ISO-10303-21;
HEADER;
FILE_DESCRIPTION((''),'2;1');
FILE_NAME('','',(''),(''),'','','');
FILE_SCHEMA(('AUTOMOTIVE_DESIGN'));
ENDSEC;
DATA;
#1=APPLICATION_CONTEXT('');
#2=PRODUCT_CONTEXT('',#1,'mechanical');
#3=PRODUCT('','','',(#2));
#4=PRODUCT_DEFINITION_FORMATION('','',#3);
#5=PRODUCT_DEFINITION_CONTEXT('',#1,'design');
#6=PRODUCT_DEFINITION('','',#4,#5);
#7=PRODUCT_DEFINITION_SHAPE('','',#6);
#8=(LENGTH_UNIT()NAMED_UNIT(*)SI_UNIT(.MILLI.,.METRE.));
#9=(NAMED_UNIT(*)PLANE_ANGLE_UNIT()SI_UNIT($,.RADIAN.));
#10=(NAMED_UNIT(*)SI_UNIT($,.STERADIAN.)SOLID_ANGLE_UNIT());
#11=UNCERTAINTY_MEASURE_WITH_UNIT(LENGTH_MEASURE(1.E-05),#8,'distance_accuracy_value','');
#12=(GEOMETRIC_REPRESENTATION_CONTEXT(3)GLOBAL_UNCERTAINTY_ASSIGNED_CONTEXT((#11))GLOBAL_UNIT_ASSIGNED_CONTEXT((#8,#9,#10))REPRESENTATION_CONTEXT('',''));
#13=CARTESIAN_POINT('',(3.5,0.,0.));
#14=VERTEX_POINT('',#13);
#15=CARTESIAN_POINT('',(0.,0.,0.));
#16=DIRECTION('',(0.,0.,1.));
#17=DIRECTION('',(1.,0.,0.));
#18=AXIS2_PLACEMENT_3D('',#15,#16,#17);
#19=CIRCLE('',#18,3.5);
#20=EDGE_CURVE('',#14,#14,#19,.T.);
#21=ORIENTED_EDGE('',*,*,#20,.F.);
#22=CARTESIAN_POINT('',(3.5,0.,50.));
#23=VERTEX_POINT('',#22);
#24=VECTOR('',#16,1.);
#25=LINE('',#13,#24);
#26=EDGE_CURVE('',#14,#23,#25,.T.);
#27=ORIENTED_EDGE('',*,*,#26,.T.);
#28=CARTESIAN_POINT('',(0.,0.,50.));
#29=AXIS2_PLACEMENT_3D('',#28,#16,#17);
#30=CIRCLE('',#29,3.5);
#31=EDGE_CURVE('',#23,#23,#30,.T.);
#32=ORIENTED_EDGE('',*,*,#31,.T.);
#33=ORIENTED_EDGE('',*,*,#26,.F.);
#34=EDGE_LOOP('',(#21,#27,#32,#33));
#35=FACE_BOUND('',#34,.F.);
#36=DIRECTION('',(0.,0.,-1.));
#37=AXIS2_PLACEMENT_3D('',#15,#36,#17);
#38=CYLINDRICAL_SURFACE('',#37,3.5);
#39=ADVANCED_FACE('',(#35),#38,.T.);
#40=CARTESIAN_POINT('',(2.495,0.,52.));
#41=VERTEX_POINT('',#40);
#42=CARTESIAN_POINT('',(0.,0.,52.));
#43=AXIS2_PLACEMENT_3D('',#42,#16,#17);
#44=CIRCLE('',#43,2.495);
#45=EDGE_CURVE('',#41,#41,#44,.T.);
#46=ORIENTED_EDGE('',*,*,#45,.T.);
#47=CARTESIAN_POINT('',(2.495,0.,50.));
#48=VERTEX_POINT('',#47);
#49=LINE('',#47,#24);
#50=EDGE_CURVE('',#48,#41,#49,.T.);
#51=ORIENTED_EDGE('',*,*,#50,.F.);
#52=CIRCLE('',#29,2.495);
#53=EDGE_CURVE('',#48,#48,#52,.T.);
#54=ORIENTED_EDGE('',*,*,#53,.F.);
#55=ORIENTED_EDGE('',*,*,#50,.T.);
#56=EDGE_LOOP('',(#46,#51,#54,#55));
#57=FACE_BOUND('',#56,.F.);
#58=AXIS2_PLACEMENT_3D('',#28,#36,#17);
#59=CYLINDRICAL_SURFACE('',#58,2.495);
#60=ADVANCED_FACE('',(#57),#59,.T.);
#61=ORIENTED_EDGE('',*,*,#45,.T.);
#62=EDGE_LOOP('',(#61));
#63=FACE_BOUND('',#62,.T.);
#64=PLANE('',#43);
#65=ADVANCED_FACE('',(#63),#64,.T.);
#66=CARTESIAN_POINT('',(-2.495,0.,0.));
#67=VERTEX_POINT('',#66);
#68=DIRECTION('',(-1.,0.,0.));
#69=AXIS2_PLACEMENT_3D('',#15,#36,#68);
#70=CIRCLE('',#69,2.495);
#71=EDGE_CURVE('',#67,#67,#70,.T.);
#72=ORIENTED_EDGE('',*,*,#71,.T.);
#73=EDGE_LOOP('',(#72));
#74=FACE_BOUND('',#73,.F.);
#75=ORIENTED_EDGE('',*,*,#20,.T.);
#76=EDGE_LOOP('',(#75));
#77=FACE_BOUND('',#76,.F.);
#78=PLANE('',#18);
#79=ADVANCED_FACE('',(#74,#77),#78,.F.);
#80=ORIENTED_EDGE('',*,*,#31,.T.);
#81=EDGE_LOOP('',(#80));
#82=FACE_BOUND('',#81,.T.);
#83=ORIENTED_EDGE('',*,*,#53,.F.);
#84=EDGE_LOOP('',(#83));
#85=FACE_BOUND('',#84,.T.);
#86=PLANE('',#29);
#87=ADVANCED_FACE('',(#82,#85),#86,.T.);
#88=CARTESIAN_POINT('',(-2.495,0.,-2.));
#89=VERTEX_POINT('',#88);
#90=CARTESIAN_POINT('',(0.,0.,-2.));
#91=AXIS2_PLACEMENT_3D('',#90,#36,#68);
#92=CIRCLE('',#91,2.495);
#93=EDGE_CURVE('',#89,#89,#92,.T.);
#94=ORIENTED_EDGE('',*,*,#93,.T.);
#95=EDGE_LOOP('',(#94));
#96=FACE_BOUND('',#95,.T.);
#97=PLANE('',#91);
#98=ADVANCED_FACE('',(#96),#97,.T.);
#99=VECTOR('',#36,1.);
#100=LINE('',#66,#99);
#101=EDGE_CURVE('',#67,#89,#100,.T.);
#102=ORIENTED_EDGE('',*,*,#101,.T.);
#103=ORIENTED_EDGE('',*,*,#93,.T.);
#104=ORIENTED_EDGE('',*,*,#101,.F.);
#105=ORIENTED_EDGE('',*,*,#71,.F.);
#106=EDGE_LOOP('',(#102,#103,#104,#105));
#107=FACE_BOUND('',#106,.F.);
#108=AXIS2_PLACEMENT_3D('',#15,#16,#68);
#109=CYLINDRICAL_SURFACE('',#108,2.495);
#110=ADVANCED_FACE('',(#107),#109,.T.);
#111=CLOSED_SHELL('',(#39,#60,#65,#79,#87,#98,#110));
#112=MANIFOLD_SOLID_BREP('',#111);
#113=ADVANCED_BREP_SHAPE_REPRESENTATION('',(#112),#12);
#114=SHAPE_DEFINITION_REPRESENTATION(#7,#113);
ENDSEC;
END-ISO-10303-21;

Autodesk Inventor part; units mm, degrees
ref_plane "YZ Plane" through (0, 0, 0) normal (1, 0, 0) x (0, 1, 0)
ref_plane "XZ Plane" through (0, 0, 0) normal (0, 1, 0) x (-1, 0, 0)
ref_plane "XY Plane" through (0, 0, 0) normal (0, 0, 1) x (1, 0, 0)
sketch "Sketch1" plane through (0, 0, 0) normal (0, 0, 1) x (1, 0, 0)
  circle A0 centre (0, 0) radius 3.5
  dimension "d0" = 7
extrude "Extrusion1" add sketch "Sketch1" along normal blind 50
sketch "Sketch2" plane through (0, 0, 50) normal (0, 0, 1) x (1, 0, 0)
  circle A0 centre (0, 0) radius 3.5 projected
  circle A1 centre (0, 0) radius 2.495
  dimension "d3" = 4.99
extrude "Extrusion2" add sketch "Sketch2" along normal blind 2 contours A1
sketch "Sketch3" plane through (0, 0, 0) normal (0, 0, -1) x (-1, 0, 0)
  circle A0 centre (0, 0) radius 3.5 projected
  circle A1 centre (0, 0) radius 2.495
extrude "Extrusion3" add sketch "Sketch3" along normal blind 2 contours A1
properties part number "Steunpaal"
